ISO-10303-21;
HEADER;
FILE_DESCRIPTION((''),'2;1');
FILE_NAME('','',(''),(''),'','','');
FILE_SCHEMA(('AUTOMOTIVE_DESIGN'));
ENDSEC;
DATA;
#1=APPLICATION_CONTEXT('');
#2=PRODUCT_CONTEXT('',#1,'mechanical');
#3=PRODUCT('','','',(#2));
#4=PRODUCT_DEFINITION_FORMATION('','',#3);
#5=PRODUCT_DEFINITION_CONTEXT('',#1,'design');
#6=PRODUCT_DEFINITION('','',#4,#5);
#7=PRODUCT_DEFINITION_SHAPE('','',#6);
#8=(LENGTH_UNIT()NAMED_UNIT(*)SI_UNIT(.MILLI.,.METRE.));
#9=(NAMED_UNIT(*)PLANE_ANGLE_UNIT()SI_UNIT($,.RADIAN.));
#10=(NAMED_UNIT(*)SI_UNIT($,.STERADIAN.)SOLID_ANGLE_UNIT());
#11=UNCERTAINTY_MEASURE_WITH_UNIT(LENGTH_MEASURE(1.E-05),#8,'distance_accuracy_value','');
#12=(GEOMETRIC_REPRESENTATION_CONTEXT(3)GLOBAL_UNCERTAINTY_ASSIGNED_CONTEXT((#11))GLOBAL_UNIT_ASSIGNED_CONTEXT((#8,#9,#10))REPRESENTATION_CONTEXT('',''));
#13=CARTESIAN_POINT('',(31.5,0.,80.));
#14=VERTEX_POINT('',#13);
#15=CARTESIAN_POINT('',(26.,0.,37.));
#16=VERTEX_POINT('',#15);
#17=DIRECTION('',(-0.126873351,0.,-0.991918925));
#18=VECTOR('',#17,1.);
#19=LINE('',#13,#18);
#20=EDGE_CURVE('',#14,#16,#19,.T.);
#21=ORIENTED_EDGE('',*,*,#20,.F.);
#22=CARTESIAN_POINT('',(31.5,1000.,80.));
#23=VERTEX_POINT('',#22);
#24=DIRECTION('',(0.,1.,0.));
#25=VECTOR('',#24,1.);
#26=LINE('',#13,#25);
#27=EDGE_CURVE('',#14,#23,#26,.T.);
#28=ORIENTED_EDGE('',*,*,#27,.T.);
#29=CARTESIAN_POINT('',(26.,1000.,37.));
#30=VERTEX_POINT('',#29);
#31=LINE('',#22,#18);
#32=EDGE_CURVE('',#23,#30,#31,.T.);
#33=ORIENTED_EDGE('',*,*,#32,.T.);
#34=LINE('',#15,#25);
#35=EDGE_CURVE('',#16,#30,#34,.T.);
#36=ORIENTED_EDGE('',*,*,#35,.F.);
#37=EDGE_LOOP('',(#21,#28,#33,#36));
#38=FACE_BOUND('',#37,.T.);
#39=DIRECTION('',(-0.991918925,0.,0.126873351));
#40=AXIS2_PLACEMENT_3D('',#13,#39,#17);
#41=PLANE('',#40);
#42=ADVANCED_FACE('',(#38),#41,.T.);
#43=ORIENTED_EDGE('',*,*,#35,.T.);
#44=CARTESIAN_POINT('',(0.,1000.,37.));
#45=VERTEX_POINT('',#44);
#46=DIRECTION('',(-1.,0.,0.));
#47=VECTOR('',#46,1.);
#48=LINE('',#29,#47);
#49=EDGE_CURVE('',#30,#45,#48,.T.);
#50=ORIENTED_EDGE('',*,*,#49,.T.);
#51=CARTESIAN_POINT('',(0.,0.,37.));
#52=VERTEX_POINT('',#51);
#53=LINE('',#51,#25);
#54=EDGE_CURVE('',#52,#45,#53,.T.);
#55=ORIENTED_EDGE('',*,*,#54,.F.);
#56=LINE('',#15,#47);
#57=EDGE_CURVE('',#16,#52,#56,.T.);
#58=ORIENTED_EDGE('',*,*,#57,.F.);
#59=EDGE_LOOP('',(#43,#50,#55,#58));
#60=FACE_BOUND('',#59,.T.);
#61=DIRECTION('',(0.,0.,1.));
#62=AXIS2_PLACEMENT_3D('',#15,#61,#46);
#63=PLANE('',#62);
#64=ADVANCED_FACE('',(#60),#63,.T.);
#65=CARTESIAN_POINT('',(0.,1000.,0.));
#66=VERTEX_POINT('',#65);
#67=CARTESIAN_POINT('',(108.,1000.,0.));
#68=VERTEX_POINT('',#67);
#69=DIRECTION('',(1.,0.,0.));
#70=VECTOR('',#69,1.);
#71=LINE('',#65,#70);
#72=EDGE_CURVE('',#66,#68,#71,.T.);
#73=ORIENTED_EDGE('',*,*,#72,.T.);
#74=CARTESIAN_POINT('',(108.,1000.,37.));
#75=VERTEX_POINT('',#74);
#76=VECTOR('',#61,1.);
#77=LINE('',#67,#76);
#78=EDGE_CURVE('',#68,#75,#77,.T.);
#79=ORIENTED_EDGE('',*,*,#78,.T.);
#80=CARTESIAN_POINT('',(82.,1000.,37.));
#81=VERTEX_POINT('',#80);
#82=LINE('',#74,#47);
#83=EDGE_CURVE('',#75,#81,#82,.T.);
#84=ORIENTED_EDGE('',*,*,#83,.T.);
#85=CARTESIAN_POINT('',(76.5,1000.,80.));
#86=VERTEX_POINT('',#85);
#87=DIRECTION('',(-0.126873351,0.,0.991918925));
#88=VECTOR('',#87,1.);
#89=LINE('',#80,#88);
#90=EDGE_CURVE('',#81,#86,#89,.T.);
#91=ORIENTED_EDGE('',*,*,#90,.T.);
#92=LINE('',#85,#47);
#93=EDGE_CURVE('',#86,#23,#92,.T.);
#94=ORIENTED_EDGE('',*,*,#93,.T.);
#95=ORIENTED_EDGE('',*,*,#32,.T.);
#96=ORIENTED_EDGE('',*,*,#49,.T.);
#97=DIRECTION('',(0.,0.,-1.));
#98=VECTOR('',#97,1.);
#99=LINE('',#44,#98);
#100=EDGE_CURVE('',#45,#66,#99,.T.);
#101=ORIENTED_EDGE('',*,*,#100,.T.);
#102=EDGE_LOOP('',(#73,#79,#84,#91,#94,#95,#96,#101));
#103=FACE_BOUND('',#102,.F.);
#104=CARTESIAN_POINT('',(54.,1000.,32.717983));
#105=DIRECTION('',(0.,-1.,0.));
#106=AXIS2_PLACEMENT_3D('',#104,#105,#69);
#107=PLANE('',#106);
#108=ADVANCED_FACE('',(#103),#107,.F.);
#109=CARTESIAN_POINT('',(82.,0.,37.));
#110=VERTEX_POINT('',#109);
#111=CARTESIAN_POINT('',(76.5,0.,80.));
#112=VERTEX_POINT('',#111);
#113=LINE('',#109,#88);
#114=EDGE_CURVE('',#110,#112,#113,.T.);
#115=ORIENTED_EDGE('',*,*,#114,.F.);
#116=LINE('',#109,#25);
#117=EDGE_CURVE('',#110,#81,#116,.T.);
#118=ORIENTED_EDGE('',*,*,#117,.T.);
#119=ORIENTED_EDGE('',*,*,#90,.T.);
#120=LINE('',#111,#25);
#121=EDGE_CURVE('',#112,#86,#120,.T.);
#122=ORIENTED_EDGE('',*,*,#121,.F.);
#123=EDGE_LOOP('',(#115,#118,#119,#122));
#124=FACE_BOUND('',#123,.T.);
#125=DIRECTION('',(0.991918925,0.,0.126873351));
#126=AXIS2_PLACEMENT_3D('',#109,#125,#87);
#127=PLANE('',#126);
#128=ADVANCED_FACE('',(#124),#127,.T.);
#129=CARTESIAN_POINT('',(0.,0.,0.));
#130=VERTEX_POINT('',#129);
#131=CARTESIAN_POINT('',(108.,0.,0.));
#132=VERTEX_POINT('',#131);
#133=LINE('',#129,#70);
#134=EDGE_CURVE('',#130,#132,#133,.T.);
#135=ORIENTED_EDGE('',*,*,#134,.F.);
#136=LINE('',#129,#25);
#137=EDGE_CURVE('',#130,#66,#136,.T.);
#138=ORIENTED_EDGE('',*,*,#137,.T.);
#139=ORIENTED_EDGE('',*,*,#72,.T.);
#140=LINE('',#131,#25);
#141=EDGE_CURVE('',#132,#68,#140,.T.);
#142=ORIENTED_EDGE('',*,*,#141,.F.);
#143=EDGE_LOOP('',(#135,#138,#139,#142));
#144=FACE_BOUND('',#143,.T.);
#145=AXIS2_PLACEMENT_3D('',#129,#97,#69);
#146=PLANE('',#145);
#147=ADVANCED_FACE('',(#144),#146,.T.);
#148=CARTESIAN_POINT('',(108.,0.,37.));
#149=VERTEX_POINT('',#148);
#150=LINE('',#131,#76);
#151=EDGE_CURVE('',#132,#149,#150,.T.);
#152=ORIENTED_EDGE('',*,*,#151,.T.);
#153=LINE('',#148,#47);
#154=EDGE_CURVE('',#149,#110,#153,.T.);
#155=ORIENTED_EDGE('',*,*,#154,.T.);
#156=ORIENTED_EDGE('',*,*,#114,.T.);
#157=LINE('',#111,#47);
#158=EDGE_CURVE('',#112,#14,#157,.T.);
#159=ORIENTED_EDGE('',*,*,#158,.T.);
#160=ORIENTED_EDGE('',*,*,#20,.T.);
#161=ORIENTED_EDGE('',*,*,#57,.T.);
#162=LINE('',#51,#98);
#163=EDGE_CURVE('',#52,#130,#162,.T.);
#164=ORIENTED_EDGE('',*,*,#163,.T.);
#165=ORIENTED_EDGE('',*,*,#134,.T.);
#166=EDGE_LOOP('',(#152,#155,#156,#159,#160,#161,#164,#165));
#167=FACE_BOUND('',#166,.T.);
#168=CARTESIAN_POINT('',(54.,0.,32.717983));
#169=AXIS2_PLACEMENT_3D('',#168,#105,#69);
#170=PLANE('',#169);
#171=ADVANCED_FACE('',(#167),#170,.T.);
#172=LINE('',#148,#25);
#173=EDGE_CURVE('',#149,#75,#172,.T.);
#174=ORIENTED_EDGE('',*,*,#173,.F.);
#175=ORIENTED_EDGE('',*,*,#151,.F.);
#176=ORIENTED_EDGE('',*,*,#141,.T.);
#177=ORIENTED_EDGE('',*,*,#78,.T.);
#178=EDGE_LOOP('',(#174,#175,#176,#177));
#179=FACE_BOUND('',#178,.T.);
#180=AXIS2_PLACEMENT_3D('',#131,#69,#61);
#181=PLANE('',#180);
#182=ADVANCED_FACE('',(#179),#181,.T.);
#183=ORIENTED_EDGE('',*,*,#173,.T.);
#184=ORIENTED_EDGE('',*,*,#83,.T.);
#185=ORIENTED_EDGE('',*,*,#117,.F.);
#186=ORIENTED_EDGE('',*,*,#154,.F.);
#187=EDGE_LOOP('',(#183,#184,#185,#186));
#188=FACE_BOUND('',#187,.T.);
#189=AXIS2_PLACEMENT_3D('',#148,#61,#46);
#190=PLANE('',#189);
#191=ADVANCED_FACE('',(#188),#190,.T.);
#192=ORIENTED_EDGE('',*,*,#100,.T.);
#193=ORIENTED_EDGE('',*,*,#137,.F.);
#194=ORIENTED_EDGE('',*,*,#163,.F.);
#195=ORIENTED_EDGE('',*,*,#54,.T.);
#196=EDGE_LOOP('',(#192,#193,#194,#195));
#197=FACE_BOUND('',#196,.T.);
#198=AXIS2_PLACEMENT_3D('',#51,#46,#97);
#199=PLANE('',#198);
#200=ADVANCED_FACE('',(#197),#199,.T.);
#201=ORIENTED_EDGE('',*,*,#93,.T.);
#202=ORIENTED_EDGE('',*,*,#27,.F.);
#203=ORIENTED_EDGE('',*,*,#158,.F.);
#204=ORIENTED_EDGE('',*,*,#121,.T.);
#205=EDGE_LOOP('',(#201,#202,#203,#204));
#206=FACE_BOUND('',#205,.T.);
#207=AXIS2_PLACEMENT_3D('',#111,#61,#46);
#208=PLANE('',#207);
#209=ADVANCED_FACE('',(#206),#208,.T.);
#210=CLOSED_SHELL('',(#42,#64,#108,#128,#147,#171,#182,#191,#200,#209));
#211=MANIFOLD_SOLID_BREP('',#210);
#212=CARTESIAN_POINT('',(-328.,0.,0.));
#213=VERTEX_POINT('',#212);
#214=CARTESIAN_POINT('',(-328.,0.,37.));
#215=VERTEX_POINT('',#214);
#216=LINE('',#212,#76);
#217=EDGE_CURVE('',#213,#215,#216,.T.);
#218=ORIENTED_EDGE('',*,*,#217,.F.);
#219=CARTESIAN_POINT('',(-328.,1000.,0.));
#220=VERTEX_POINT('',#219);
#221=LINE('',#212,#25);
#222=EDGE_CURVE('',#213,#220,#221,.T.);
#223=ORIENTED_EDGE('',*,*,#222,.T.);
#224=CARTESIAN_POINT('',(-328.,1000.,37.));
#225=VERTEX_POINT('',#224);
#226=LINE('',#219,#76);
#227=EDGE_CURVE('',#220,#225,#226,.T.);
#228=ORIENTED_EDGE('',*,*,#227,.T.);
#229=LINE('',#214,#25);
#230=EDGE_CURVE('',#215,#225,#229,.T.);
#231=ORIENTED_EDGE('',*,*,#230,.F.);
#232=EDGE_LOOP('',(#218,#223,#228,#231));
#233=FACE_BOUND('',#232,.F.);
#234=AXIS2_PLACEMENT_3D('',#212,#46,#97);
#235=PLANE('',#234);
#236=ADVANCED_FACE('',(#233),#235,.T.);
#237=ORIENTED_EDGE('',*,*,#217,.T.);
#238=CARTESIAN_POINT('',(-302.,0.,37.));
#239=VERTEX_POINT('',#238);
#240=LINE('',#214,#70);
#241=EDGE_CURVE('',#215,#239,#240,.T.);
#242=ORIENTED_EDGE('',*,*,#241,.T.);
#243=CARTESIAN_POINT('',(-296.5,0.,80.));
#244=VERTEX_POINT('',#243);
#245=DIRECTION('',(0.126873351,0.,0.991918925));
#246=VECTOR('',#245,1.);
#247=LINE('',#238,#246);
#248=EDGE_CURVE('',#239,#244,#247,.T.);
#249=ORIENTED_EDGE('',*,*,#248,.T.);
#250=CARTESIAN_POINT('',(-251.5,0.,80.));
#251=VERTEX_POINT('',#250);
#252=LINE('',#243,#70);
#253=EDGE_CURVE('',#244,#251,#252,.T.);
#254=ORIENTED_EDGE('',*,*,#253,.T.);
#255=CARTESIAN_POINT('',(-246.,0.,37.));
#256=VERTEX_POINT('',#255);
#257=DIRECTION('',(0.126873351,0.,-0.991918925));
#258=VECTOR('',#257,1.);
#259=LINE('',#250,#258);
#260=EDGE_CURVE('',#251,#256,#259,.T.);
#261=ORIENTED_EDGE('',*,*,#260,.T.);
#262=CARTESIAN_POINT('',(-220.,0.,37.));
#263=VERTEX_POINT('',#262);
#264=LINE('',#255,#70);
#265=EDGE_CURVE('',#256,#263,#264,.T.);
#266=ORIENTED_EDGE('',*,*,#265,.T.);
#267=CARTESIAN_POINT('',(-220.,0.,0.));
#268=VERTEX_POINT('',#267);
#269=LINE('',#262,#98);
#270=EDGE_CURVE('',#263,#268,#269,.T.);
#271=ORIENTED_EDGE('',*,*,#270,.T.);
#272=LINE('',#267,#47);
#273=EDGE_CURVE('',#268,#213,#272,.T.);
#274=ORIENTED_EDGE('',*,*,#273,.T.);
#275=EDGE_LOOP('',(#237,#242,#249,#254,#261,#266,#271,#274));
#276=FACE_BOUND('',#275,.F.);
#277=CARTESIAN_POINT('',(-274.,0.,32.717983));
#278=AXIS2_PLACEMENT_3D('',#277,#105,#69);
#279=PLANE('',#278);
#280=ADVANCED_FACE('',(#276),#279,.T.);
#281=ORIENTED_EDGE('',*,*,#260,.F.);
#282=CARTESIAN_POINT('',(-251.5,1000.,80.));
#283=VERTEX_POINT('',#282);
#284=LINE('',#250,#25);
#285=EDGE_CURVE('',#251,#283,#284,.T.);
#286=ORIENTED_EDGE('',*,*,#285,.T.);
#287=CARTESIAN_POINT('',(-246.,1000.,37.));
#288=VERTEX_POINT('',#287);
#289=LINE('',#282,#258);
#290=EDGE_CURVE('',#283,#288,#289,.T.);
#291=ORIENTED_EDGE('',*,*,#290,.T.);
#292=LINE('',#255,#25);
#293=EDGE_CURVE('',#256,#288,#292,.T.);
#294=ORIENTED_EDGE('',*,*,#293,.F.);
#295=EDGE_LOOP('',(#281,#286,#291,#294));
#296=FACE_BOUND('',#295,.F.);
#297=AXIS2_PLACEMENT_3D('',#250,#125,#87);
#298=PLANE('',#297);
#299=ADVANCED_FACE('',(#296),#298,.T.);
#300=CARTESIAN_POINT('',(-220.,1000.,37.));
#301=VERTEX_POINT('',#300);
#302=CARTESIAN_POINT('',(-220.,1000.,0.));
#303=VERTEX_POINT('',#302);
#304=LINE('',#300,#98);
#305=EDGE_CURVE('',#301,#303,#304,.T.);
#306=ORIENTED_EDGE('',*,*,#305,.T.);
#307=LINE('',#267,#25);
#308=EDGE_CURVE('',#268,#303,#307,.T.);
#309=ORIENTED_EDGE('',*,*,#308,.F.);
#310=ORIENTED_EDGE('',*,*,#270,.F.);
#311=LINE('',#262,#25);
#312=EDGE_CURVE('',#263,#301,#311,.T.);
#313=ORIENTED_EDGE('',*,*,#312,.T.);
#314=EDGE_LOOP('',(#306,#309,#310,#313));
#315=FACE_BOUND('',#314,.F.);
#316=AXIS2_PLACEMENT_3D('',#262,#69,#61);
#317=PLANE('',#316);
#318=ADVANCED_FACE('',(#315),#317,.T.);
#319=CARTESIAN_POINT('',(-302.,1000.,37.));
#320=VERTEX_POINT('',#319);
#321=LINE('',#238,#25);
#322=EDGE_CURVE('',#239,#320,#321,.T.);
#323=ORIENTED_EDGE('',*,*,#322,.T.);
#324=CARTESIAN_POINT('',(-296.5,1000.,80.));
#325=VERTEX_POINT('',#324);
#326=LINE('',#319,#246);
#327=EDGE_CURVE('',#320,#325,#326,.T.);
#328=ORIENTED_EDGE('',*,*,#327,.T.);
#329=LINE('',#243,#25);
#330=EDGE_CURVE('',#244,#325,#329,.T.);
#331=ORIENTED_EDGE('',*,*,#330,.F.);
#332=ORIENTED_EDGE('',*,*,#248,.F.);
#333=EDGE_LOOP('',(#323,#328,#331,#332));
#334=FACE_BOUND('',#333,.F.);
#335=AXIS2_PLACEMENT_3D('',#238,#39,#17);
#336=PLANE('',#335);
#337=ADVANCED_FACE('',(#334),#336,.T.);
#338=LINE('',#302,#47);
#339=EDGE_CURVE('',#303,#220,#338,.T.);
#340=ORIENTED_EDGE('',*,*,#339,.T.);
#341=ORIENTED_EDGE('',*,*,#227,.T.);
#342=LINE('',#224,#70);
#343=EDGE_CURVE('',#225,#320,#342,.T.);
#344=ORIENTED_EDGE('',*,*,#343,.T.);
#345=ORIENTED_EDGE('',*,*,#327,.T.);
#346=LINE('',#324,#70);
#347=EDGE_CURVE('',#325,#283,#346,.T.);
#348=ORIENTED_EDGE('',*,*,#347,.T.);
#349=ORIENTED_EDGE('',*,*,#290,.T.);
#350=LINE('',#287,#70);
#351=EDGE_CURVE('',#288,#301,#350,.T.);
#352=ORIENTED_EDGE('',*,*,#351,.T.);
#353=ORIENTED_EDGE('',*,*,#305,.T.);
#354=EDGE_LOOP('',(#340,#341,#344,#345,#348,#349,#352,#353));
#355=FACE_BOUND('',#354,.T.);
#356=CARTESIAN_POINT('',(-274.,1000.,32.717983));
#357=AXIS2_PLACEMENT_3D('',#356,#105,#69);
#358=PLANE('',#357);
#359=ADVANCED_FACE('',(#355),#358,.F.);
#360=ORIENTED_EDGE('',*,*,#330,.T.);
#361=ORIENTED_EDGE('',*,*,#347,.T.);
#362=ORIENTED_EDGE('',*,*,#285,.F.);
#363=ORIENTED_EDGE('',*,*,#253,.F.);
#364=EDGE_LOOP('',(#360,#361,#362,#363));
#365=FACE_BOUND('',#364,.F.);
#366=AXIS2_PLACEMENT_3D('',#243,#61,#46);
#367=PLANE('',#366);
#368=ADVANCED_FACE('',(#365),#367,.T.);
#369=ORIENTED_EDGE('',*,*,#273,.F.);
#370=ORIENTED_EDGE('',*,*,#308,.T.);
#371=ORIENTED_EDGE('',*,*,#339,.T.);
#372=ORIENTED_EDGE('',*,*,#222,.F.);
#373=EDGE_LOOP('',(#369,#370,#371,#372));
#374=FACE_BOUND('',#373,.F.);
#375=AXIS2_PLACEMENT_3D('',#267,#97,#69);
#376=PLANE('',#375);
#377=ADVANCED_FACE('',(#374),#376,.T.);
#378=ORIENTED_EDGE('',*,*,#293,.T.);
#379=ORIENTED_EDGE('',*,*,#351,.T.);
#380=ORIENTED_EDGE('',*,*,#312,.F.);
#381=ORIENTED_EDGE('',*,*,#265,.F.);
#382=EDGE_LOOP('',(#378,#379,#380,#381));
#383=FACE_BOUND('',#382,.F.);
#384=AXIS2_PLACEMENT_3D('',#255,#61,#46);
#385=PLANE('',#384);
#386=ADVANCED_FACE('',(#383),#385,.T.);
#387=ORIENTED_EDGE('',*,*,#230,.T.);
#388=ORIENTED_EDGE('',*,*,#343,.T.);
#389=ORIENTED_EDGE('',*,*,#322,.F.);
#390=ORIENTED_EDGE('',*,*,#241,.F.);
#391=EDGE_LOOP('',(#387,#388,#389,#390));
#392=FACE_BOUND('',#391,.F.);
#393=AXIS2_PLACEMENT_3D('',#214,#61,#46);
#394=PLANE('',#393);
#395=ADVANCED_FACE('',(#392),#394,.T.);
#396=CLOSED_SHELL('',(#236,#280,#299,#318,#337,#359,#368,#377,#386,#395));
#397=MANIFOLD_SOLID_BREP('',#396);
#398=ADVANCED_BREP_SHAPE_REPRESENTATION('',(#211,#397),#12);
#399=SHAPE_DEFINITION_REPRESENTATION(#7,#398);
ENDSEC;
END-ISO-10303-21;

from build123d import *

# Parameters (mm, degrees)
F1_DEPTH = 1000


with BuildPart() as f1:
    # F0 (on Front) → F1 (new body)
    with BuildSketch(Plane.XZ):
        Polygon((0, 37), (0, 0), (108, 0), (108, 37), (82, 37), (76.5, 80), (54, 80), (31.5, 80), (26, 37), align=None)
    extrude(amount=-F1_DEPTH)


with BuildPart() as f3_1:
    # F3: instance of F1
    add(f1.part.mirror(Plane.YZ.offset(-110)))


solid = Compound([f1.part, f3_1.part])
